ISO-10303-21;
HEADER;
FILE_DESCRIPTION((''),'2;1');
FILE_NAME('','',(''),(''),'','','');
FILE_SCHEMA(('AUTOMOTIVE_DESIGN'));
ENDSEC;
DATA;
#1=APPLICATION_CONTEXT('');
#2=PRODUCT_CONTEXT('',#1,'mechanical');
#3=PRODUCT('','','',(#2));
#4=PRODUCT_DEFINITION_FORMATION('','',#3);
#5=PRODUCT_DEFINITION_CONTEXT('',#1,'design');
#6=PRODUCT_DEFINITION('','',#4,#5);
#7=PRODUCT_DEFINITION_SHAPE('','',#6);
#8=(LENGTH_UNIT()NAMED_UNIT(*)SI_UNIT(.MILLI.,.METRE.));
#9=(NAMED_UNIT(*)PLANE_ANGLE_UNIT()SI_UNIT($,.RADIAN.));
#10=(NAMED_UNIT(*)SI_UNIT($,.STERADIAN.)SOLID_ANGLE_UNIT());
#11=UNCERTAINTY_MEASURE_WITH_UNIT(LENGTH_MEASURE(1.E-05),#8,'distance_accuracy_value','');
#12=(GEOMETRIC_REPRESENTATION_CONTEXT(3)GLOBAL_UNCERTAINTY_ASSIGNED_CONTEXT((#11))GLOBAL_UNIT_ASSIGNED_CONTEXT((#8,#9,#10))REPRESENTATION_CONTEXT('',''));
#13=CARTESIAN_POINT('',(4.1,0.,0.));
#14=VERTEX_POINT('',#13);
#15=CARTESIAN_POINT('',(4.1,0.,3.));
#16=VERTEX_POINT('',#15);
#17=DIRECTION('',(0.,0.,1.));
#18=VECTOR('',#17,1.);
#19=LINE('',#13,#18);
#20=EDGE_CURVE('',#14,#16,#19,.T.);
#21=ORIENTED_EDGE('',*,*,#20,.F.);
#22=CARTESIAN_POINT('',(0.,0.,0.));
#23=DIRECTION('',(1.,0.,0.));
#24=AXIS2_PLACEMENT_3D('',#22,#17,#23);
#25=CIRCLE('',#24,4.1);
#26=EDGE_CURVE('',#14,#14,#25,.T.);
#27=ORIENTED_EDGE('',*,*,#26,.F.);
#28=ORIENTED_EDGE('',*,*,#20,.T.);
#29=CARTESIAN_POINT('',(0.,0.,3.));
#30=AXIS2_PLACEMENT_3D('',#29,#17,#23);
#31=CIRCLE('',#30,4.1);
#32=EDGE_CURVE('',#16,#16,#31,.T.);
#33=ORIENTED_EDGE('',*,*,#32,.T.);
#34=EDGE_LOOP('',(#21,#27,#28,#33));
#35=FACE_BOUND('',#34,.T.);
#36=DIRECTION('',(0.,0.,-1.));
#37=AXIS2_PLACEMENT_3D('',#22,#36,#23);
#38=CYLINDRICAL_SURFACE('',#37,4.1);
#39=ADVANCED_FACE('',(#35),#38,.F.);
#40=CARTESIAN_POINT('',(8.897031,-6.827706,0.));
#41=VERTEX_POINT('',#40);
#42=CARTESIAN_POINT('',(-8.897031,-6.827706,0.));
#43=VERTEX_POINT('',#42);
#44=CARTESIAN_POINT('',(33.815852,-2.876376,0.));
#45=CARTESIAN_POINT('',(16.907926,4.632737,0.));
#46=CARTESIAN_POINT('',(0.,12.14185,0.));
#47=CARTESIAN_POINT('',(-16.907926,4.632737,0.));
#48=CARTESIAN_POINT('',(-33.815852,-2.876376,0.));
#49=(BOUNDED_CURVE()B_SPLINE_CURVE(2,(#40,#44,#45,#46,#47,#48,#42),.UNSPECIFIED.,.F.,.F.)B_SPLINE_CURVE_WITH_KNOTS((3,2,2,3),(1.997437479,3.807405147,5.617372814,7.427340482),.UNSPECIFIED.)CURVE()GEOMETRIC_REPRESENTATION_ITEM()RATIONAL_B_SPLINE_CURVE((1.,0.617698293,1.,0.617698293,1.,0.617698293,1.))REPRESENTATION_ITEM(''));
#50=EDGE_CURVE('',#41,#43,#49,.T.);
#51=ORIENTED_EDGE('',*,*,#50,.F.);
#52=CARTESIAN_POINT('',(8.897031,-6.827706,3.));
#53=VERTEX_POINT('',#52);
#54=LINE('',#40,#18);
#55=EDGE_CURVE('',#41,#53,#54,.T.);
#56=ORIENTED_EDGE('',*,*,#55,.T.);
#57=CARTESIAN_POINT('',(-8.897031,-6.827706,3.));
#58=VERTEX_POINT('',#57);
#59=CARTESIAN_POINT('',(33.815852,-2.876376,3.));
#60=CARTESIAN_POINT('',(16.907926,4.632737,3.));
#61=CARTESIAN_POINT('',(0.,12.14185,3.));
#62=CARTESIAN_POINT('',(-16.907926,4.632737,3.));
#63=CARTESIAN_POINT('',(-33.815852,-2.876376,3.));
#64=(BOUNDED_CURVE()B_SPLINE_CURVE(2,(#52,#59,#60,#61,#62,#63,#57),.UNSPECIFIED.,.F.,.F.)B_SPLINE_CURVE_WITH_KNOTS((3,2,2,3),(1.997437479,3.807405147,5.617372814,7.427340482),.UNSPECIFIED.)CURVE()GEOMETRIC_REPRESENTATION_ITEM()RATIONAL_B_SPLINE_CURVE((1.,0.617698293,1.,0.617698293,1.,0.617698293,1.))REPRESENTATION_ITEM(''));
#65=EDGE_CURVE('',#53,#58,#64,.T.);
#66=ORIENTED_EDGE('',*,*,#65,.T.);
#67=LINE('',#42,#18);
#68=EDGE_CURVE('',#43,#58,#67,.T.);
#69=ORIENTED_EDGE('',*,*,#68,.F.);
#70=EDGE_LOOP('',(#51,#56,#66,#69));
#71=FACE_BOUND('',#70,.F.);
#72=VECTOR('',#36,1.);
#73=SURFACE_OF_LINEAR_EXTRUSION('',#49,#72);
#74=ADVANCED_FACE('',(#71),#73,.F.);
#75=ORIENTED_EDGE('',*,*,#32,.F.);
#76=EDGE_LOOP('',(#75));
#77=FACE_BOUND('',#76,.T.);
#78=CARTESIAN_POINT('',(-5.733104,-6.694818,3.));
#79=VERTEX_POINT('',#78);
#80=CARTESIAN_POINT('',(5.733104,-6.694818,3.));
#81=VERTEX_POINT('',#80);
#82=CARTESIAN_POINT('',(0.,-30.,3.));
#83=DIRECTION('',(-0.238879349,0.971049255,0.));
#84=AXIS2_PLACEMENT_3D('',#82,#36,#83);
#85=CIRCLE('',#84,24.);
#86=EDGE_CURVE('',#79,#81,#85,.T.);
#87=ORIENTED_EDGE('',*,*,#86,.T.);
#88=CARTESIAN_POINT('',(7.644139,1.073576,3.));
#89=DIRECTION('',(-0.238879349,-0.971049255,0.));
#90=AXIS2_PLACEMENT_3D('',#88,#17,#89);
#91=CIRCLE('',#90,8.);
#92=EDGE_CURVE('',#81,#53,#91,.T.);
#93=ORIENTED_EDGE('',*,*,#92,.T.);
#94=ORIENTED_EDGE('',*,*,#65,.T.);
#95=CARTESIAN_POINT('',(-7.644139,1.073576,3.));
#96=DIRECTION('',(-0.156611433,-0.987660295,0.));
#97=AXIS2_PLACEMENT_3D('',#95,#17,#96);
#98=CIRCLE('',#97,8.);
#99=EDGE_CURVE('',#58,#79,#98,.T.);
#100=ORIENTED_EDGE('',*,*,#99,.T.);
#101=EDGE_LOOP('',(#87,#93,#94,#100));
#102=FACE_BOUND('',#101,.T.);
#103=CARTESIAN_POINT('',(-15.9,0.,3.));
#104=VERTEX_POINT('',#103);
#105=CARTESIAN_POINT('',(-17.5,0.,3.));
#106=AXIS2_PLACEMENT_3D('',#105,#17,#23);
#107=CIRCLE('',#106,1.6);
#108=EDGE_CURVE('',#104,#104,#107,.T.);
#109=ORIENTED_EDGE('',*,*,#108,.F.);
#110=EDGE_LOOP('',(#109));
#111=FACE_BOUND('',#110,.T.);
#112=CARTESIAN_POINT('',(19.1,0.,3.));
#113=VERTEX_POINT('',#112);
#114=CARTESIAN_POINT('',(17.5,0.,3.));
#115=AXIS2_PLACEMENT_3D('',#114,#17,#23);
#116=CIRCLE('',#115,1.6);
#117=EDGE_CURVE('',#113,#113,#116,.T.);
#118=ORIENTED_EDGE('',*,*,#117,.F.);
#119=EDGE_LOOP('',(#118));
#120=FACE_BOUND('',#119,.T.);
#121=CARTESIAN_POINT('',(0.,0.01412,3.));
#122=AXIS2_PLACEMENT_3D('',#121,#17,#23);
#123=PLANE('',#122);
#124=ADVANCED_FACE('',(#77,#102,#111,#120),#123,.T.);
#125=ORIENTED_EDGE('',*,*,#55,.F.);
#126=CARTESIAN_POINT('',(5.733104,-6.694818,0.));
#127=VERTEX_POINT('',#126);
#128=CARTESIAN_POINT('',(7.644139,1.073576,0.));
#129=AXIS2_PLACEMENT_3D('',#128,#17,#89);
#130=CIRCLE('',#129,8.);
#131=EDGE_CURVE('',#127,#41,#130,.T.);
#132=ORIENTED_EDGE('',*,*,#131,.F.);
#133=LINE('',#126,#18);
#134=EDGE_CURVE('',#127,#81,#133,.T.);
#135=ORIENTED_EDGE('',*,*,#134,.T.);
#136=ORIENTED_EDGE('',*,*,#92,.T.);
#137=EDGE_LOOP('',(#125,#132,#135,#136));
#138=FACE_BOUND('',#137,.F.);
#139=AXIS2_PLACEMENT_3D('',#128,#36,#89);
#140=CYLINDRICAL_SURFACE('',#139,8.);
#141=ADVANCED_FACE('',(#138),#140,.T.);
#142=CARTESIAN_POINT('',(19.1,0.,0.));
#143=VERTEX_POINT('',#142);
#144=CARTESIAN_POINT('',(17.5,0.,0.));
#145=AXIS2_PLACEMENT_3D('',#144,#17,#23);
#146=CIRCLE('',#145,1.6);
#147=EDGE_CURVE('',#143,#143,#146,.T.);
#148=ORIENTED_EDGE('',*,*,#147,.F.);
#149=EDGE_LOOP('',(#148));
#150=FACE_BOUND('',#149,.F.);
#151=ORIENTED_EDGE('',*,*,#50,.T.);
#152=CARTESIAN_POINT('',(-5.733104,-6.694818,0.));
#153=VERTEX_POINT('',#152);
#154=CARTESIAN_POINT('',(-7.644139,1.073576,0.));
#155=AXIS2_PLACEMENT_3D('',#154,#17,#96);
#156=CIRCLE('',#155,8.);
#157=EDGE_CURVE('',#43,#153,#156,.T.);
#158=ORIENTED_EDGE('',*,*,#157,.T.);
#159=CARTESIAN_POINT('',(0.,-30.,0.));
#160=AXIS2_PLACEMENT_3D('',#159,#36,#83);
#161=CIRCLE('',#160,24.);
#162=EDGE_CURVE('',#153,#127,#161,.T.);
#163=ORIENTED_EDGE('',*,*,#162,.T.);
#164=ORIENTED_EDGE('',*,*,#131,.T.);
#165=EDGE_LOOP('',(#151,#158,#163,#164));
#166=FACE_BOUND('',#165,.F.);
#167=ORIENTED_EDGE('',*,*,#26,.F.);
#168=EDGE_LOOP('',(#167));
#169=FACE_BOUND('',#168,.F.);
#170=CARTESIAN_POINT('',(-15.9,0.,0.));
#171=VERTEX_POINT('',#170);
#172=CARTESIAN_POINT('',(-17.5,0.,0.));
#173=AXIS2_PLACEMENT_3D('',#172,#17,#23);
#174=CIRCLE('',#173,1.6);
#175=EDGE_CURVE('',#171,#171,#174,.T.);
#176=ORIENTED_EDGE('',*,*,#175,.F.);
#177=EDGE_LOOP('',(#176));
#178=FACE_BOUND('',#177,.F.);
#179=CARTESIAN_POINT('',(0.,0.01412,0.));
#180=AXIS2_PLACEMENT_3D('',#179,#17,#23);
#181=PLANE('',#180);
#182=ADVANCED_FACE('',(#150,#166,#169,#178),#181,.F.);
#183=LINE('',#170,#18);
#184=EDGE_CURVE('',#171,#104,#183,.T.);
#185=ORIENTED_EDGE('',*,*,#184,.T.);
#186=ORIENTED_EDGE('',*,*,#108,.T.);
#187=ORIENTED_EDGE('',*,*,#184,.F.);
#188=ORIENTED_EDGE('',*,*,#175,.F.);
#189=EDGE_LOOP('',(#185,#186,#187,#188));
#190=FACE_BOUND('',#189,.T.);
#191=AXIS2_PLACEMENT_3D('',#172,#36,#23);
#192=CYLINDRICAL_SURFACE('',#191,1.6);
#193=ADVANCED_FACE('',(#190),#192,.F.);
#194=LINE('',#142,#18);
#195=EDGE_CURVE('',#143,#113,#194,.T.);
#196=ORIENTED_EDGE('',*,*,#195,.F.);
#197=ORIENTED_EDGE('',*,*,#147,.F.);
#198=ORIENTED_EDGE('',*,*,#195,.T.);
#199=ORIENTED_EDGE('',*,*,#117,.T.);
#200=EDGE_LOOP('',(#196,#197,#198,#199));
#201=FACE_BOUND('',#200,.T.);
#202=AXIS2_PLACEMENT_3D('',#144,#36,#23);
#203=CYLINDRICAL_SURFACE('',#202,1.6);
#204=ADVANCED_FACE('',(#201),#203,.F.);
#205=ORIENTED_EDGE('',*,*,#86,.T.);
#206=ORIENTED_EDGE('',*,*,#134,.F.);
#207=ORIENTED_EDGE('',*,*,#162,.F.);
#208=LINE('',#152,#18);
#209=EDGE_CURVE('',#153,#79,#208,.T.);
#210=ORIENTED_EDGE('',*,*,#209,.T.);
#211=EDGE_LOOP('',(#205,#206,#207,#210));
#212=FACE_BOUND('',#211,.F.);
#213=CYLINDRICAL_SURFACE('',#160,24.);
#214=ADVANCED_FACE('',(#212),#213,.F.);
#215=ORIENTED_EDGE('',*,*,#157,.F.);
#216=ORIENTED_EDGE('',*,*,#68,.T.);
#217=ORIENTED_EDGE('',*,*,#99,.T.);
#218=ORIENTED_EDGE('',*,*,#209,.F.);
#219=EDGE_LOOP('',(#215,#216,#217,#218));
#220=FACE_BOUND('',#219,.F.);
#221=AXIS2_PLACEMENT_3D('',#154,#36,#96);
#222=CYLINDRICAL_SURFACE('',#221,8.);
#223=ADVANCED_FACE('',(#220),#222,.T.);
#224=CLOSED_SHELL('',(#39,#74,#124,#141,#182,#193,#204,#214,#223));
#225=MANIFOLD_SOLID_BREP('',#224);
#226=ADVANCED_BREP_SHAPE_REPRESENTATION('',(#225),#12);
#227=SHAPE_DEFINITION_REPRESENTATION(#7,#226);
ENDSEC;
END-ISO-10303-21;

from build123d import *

# Parameters (mm, degrees)
F0_R     = 1.6
F0_R_2   = 4.1
F1_DEPTH = 3


with BuildPart() as f1:
    # F0 (on Top) → F1 (new body)
    with BuildSketch(Plane.XY):
        with BuildLine():
            ThreePointArc((-5.7331043854, -6.6948178701), (0, -6), (5.7331043854, -6.6948178701))
            ThreePointArc((5.7331043854, -6.6948178701), (7.308426526, -6.9193767864), (8.8970306476, -6.8277061893))
            add(Edge.make_bspline(
                [(8.8970306476, -6.8277061893), (33.8158522771, -2.8763755626), (16.9079261385, 4.6327372001), (0, 12.1418499627), (-16.9079261385, 4.6327372001), (-33.8158522771, -2.8763755626), (-8.8970306476, -6.8277061893)],
                knots=[1.9974374789, 1.9974374789, 1.9974374789, 3.8074051466, 3.8074051466, 5.6173728142, 5.6173728142, 7.4273404818, 7.4273404818, 7.4273404818], degree=2, weights=[1, 0.6176982933, 1, 0.6176982933, 1, 0.6176982933, 1]))
            ThreePointArc((-8.8970306476, -6.8277061893), (-7.308426526, -6.9193767864), (-5.7331043854, -6.6948178701))
        make_face()
        with Locations((-17.5, 0)):
            Circle(F0_R, mode=Mode.SUBTRACT)
        Circle(F0_R_2, mode=Mode.SUBTRACT)
        with Locations((17.5, 0)):
            Circle(F0_R, mode=Mode.SUBTRACT)
    extrude(amount=F1_DEPTH)


solid = f1.part
